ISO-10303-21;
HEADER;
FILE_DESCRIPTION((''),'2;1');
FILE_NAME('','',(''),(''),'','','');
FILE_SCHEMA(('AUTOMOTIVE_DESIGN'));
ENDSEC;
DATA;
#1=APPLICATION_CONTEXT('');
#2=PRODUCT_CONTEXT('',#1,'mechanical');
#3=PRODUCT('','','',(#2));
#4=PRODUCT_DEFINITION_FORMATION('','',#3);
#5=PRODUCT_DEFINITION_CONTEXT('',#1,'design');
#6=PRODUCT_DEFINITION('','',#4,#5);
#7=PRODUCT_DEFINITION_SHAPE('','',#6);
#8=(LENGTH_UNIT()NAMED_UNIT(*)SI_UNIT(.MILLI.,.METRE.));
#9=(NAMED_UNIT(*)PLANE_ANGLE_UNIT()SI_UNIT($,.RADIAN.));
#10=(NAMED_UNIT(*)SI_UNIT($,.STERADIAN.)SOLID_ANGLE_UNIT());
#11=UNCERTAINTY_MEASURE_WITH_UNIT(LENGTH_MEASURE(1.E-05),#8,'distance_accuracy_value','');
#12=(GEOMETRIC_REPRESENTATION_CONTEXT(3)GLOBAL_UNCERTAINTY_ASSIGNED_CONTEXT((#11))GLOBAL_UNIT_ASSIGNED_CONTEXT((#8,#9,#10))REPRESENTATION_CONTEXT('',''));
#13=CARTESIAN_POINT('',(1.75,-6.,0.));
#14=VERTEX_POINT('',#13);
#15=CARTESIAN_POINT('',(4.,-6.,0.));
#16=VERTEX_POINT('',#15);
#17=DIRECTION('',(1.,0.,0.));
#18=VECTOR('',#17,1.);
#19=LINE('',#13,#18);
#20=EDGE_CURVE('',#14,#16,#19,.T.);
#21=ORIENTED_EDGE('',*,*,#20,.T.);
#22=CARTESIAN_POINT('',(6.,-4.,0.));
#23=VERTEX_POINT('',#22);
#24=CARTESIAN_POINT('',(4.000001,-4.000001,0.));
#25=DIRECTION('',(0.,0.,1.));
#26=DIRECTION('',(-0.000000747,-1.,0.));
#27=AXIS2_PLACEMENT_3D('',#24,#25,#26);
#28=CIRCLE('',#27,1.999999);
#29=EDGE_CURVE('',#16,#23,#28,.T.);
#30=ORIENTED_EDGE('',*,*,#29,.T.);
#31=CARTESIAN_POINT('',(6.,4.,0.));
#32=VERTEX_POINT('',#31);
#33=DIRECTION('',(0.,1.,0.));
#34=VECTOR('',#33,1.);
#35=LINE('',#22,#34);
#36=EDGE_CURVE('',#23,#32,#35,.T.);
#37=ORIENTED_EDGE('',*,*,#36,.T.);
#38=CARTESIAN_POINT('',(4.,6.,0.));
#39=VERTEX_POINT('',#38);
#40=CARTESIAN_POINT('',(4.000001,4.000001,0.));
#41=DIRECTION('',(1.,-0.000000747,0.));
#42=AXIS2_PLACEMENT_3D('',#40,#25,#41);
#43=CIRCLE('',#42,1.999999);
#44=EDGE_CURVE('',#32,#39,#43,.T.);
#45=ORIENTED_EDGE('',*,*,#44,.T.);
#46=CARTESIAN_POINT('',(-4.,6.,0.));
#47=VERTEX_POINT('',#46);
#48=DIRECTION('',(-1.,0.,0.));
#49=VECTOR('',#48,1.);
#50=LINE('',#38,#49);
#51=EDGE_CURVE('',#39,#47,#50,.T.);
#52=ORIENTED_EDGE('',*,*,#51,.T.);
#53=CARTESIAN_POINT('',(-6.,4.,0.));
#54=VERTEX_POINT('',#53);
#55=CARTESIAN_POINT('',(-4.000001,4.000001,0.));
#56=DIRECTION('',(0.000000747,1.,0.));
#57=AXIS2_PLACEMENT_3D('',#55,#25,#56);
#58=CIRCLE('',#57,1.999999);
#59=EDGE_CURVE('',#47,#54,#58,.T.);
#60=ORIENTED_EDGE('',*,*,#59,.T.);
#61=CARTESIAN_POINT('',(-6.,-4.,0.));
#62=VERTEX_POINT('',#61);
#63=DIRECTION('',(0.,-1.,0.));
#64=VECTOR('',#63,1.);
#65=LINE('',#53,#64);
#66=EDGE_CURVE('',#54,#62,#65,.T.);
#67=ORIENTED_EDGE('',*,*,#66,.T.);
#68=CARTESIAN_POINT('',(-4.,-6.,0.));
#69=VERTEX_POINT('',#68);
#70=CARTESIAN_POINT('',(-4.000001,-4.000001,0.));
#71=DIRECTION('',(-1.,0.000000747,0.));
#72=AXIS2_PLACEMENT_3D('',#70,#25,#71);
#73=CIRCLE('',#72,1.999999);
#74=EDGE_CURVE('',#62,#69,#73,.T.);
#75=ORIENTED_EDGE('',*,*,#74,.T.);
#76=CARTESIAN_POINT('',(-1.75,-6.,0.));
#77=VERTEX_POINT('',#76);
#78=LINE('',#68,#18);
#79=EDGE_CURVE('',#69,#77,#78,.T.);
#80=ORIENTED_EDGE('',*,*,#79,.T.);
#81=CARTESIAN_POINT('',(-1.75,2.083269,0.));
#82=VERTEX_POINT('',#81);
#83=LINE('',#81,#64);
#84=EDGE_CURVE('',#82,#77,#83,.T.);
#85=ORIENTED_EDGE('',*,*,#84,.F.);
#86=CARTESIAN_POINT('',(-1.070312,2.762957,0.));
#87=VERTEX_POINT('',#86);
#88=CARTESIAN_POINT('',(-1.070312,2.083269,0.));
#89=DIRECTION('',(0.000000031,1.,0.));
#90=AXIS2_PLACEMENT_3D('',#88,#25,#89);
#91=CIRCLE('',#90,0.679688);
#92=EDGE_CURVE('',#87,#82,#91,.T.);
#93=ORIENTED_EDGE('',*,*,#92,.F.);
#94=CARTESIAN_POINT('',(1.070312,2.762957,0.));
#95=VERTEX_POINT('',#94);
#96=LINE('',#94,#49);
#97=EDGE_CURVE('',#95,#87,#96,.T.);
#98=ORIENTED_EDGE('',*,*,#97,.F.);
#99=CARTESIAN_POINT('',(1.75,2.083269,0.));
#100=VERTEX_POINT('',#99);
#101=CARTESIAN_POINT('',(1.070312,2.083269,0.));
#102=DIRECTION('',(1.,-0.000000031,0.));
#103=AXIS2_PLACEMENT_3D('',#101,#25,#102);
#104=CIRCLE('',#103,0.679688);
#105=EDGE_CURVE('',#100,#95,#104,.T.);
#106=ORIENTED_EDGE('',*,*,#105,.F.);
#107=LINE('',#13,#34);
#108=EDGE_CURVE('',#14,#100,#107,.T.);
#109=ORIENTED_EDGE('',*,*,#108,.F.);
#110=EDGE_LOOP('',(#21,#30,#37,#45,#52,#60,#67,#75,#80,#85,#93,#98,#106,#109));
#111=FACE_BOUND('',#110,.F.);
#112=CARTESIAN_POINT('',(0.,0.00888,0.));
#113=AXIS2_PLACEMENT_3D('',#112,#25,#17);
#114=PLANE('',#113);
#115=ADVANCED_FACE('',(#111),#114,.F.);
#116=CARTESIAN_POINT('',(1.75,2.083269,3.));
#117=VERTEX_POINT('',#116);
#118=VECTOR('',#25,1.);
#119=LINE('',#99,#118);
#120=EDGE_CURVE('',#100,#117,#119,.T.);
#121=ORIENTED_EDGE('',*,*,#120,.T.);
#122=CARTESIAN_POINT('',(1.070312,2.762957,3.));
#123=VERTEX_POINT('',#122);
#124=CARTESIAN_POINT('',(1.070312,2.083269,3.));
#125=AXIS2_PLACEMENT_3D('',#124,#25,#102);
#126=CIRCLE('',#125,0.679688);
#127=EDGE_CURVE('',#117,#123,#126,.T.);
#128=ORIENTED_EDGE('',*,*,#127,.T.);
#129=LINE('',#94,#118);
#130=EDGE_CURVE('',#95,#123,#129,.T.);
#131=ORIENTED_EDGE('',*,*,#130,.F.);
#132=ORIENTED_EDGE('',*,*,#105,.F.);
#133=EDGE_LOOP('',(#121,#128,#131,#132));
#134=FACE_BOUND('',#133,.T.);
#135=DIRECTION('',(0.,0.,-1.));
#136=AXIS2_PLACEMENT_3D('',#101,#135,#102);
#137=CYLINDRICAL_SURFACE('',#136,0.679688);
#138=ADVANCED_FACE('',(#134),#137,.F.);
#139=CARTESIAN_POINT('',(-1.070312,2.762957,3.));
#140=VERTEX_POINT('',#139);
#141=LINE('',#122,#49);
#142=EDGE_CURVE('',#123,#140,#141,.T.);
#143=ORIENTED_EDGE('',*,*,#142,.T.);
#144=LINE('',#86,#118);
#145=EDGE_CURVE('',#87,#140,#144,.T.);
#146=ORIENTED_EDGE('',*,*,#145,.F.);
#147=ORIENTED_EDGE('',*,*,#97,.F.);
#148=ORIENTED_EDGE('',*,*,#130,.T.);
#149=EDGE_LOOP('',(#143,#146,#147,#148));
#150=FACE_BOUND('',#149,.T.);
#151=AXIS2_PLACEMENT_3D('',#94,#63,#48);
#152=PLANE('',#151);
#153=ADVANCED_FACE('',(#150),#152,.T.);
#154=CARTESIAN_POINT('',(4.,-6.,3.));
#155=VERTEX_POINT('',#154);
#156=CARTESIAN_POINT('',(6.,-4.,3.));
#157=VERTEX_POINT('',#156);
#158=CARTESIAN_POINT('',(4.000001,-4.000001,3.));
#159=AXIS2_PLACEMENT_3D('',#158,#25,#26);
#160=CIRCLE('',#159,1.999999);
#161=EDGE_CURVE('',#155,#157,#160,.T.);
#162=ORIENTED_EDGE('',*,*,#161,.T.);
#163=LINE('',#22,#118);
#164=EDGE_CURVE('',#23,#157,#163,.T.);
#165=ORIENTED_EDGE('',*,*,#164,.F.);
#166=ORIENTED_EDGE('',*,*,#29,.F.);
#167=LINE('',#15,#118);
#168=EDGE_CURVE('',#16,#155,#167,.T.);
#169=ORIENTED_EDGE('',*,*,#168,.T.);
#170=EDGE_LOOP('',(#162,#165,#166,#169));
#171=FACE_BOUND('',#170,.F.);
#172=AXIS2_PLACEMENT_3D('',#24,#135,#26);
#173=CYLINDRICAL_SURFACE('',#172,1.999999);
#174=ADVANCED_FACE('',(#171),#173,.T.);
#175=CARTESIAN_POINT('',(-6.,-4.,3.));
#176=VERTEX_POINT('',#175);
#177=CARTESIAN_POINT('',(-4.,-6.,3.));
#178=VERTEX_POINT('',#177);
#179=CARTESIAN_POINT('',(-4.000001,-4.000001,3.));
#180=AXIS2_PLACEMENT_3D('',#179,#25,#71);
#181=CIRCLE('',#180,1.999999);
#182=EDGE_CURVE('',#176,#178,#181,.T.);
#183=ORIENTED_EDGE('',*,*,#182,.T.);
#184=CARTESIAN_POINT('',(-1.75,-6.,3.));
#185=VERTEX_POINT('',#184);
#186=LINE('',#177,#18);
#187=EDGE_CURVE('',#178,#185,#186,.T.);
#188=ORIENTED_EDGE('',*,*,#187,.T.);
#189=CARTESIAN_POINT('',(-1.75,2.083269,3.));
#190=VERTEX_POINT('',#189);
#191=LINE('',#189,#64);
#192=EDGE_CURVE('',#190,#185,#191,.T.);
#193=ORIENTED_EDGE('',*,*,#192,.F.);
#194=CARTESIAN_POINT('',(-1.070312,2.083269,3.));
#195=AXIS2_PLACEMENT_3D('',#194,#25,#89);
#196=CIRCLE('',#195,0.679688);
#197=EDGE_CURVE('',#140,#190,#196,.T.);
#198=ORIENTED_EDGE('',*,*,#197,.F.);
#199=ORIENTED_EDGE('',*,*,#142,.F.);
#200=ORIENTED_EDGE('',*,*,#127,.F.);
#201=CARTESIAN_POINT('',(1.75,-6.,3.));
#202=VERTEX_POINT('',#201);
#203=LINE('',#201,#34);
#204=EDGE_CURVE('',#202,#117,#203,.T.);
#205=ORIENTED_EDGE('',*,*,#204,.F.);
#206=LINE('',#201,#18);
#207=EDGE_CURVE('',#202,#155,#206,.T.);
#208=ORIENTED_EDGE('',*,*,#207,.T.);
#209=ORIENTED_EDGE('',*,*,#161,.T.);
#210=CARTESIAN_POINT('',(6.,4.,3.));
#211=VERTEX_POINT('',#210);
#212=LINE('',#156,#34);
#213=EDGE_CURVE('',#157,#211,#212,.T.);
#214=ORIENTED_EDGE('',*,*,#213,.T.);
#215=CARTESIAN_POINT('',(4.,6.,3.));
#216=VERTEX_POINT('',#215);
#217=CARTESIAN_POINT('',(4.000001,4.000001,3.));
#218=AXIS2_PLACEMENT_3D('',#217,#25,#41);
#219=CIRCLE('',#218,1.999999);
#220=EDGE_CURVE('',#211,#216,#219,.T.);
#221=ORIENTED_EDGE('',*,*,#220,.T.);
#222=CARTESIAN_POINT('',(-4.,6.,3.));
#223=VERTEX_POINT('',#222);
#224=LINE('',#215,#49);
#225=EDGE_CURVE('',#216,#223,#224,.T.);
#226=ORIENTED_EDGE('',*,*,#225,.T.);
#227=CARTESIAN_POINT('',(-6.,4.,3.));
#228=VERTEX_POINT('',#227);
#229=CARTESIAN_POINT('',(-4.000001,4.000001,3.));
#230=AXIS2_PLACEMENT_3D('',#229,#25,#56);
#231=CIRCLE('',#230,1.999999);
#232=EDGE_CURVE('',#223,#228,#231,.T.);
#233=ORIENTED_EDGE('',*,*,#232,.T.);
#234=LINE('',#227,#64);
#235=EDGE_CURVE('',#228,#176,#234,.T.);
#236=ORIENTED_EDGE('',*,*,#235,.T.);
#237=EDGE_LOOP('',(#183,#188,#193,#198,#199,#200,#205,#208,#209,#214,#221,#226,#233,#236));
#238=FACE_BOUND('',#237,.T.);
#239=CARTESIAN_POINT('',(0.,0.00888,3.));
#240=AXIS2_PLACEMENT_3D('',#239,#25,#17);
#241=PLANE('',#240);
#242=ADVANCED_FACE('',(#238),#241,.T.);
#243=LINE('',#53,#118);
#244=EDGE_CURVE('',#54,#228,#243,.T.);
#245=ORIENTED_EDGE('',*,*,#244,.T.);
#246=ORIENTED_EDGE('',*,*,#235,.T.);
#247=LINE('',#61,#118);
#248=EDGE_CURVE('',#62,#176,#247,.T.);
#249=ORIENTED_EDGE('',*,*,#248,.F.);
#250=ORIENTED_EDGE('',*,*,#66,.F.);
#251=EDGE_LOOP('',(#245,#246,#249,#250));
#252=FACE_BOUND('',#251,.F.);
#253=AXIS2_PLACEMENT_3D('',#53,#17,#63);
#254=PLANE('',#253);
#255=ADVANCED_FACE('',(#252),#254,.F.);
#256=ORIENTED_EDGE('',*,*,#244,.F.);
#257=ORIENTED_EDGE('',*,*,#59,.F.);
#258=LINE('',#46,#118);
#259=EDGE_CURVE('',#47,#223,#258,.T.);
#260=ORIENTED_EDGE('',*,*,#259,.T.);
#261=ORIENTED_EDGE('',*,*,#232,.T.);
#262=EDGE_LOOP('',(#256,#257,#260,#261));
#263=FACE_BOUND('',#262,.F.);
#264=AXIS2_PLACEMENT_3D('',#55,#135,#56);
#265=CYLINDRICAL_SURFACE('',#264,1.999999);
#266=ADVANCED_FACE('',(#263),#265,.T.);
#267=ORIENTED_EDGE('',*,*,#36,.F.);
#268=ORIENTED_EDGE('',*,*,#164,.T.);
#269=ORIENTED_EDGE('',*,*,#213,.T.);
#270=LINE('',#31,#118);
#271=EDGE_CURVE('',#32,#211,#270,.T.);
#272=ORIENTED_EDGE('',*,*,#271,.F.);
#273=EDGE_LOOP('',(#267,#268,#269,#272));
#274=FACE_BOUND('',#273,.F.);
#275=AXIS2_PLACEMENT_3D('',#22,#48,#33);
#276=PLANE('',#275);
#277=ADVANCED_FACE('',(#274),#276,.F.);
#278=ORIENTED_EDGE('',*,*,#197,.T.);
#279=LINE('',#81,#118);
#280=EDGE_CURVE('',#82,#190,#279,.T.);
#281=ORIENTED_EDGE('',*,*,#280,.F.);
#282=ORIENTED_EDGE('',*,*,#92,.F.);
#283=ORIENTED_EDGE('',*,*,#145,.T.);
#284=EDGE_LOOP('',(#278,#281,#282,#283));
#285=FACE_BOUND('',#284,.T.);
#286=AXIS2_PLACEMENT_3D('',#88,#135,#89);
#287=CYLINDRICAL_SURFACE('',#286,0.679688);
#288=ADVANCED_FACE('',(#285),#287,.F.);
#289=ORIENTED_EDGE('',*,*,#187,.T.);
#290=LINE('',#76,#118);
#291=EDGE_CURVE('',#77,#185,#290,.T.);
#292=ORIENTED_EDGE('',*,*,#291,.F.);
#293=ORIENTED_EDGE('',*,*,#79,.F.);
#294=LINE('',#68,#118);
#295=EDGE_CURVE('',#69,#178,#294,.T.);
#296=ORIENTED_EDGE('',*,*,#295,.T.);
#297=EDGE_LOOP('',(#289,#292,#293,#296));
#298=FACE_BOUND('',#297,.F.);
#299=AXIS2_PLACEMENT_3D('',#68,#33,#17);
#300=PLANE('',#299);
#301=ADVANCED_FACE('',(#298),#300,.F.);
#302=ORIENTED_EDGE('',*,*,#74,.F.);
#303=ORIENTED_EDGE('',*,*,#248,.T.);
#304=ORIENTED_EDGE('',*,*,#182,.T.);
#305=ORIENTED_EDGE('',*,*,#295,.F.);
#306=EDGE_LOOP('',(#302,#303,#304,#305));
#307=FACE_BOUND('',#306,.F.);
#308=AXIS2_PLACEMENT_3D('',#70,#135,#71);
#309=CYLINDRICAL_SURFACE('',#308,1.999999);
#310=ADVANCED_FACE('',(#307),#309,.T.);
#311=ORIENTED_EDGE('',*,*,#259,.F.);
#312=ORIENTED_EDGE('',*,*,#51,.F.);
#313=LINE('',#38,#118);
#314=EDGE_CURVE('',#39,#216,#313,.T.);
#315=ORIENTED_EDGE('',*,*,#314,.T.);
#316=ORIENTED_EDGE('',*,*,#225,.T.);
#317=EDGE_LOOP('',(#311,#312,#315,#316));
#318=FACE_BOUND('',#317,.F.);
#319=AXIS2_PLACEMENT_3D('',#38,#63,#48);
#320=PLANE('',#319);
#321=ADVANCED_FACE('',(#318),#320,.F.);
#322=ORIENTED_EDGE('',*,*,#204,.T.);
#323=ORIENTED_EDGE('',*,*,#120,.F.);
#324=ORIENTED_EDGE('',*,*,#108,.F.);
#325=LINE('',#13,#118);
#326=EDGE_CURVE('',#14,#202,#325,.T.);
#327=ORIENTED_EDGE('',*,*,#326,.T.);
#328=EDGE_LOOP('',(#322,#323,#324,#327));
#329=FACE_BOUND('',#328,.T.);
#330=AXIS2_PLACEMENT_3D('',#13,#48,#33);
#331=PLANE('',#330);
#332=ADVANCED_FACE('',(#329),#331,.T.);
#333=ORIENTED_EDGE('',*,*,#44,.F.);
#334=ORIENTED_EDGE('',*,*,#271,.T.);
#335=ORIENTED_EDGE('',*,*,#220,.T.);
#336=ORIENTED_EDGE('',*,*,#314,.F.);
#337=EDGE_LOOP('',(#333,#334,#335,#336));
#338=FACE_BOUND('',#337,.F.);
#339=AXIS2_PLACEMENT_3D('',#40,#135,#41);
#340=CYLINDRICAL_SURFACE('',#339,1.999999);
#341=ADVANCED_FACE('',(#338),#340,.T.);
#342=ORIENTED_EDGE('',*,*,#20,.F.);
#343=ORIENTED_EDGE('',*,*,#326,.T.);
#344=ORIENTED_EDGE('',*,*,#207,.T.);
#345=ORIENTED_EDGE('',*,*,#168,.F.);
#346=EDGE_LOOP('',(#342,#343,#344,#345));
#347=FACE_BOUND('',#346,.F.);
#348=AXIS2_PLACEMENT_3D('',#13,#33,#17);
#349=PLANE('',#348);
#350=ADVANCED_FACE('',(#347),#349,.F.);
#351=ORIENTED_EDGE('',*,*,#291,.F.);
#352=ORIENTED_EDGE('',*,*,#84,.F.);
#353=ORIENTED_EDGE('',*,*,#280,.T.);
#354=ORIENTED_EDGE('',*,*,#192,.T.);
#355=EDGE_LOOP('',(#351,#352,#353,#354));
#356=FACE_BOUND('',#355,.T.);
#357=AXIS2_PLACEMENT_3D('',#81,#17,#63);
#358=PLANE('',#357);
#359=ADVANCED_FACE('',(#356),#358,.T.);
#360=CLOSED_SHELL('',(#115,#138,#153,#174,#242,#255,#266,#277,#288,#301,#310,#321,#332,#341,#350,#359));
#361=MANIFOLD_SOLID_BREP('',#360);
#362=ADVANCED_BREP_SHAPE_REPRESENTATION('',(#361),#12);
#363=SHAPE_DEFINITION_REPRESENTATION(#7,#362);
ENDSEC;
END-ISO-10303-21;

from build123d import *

# Parameters (mm, degrees)
PAD_DEPTH = 3


with BuildPart() as part:
    # Sketch (on XY_Plane of Origin) → Pad (new body)
    with BuildSketch(Plane.XY):
        with BuildLine():
            Line((-6, 4), (-6, -4))
            ThreePointArc((-6, -4), (-5.414214, -5.414214), (-4, -6))
            Line((-4, -6), (-1.75, -6))
            Line((-1.75, 2.083269), (-1.75, -6))
            ThreePointArc((-1.070312, 2.762957), (-1.550924, 2.563881), (-1.75, 2.083269))
            Line((1.070312, 2.762957), (-1.070312, 2.762957))
            ThreePointArc((1.75, 2.083269), (1.550924, 2.563881), (1.070312, 2.762957))
            Line((1.75, -6), (1.75, 2.083269))
            Line((1.75, -6), (4, -6))
            ThreePointArc((4, -6), (5.414214, -5.414214), (6, -4))
            Line((6, -4), (6, 4))
            ThreePointArc((6, 4), (5.414214, 5.414214), (4, 6))
            Line((4, 6), (-4, 6))
            ThreePointArc((-4, 6), (-5.414214, 5.414214), (-6, 4))
        make_face()
    extrude(amount=PAD_DEPTH)


solid = part.part
